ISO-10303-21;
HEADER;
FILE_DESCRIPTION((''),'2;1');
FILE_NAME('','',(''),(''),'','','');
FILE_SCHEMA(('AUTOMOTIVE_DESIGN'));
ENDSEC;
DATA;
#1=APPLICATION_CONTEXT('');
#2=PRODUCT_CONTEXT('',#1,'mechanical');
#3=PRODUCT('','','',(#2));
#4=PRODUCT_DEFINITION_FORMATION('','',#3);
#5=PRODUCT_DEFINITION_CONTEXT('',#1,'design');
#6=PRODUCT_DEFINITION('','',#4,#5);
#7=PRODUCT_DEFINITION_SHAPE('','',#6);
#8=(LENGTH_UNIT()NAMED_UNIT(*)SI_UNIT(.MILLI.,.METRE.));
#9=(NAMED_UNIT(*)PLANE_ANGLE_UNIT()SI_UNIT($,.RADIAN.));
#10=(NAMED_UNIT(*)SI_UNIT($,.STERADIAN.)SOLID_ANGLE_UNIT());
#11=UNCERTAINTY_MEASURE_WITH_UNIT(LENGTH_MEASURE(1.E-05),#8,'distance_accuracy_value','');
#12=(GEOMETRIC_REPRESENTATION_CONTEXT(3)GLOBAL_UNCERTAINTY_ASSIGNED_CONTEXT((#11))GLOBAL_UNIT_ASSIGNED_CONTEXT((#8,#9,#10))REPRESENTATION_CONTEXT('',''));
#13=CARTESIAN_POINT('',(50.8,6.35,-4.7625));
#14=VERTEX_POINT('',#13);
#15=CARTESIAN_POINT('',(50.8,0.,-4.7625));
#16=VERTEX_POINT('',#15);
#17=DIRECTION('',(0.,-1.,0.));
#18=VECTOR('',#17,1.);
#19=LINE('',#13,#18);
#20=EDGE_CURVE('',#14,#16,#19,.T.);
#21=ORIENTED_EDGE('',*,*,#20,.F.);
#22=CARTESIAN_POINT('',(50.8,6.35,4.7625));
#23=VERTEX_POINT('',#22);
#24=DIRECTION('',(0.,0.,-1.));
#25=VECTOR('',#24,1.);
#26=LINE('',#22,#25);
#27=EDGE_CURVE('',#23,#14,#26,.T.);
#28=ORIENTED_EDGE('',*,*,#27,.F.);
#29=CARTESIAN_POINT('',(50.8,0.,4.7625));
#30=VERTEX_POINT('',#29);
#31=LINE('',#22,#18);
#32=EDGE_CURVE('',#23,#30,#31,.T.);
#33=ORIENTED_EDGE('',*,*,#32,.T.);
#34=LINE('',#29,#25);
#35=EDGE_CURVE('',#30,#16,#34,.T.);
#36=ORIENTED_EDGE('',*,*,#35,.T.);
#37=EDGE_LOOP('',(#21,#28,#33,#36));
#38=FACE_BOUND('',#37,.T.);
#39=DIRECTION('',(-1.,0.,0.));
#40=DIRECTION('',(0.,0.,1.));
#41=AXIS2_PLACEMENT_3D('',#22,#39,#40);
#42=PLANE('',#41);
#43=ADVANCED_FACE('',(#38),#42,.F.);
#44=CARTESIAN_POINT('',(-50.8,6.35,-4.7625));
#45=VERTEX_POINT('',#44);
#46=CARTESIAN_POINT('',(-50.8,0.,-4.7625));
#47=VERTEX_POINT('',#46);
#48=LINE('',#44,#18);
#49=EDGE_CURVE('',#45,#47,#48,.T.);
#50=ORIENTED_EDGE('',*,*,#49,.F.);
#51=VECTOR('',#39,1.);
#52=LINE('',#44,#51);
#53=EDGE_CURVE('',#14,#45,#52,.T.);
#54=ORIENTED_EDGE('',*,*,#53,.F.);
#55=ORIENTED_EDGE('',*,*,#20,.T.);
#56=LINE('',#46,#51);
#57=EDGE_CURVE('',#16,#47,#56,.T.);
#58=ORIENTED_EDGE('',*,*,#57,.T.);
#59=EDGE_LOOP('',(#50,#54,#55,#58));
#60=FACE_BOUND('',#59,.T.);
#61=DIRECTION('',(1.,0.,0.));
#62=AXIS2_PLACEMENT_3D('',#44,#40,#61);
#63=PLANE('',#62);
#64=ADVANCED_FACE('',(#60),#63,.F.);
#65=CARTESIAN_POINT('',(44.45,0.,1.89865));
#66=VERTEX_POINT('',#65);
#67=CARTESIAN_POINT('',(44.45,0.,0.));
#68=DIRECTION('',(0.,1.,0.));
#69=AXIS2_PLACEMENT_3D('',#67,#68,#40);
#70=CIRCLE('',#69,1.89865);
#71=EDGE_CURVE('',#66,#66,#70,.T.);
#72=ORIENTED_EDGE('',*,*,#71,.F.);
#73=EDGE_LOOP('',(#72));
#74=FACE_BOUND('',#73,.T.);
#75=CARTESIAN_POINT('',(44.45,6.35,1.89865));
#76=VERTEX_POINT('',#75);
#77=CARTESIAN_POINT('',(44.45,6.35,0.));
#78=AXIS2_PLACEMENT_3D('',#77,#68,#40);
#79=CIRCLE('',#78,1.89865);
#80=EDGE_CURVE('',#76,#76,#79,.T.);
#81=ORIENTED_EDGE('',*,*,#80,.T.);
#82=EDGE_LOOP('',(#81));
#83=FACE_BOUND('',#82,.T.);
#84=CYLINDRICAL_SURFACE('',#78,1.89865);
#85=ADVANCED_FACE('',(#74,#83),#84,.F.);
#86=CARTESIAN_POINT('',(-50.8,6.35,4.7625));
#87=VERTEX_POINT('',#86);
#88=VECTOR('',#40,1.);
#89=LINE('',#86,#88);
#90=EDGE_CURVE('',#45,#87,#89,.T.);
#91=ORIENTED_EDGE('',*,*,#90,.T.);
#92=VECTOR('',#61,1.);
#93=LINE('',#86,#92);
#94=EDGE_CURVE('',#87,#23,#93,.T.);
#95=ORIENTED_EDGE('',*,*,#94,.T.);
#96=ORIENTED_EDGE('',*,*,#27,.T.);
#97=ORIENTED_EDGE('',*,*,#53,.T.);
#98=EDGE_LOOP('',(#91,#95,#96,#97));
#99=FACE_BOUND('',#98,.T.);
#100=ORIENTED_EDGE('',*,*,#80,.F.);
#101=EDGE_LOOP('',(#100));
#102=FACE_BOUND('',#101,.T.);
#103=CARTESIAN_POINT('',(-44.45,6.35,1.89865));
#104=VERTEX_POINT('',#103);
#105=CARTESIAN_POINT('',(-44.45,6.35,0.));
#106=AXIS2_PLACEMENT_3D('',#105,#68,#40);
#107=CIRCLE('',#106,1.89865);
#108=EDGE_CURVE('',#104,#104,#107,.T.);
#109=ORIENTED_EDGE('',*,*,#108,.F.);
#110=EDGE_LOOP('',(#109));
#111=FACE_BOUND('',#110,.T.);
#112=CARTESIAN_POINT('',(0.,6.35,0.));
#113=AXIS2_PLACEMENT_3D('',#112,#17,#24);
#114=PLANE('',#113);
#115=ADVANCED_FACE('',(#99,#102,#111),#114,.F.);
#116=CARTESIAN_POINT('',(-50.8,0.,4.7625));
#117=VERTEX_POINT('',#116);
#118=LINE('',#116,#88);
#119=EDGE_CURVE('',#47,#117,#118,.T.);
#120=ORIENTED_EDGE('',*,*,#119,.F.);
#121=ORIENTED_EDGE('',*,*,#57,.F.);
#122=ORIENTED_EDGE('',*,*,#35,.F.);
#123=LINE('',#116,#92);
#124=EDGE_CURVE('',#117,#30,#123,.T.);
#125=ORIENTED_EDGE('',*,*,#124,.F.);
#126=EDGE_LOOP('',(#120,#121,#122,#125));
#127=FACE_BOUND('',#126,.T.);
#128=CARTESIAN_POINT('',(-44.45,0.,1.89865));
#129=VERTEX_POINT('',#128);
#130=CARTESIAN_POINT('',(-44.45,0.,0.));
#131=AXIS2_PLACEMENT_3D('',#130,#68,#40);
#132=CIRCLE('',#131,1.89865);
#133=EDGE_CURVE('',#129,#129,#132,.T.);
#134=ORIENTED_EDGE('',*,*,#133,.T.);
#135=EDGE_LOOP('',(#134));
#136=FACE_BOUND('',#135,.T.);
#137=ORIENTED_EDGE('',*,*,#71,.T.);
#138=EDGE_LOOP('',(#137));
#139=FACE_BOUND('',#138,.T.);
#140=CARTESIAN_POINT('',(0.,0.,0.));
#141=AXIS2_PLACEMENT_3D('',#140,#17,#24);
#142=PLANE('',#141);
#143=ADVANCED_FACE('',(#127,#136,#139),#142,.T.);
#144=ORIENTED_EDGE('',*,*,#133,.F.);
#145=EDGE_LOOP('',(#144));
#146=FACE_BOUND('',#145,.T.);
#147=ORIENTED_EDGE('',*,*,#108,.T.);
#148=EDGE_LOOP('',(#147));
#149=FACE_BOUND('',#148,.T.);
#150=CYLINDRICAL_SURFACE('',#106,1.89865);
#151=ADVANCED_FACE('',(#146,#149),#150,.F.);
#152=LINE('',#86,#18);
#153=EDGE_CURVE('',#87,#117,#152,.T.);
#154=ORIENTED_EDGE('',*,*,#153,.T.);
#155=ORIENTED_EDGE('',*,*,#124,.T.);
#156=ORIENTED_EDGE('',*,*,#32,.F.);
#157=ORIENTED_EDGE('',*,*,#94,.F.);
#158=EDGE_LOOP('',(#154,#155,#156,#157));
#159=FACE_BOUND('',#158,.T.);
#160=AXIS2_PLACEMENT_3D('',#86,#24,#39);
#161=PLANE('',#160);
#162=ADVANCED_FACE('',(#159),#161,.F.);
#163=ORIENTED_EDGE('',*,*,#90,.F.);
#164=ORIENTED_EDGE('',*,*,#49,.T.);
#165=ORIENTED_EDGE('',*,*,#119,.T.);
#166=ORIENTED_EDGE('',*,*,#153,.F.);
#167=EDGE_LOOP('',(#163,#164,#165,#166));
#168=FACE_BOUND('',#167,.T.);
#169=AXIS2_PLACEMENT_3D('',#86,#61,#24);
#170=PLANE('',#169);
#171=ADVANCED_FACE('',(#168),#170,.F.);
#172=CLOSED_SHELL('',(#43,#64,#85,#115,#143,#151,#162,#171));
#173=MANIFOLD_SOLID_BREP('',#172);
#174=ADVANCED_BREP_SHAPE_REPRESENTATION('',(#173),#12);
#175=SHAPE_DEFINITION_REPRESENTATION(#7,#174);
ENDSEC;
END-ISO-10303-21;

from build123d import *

# Parameters (mm, degrees)
SKETCH1_W             = 101.6
SKETCH1_H             = 9.525
BOSS_EXTRUDE1_DEPTH   = 6.35
F_6_CLEARANCE_HOLE1_D = 3.7973


with BuildPart() as part:
    # Sketch1 → Boss-Extrude1 (new body)
    with BuildSketch(Plane(origin=(0, 0, 0), x_dir=(1, 0, 0), z_dir=(0, 1, 0))):
        Rectangle(SKETCH1_W, SKETCH1_H)
    extrude(amount=BOSS_EXTRUDE1_DEPTH)

    # #6 Clearance Hole1 (through all)
    with Locations(Plane(origin=(-44.45, 6.35, 0), x_dir=(0, 0, 1), z_dir=(0, 1, 0))):
        with Locations((0, 0), (0, 88.9)):
            Hole(F_6_CLEARANCE_HOLE1_D / 2)


solid = part.part
